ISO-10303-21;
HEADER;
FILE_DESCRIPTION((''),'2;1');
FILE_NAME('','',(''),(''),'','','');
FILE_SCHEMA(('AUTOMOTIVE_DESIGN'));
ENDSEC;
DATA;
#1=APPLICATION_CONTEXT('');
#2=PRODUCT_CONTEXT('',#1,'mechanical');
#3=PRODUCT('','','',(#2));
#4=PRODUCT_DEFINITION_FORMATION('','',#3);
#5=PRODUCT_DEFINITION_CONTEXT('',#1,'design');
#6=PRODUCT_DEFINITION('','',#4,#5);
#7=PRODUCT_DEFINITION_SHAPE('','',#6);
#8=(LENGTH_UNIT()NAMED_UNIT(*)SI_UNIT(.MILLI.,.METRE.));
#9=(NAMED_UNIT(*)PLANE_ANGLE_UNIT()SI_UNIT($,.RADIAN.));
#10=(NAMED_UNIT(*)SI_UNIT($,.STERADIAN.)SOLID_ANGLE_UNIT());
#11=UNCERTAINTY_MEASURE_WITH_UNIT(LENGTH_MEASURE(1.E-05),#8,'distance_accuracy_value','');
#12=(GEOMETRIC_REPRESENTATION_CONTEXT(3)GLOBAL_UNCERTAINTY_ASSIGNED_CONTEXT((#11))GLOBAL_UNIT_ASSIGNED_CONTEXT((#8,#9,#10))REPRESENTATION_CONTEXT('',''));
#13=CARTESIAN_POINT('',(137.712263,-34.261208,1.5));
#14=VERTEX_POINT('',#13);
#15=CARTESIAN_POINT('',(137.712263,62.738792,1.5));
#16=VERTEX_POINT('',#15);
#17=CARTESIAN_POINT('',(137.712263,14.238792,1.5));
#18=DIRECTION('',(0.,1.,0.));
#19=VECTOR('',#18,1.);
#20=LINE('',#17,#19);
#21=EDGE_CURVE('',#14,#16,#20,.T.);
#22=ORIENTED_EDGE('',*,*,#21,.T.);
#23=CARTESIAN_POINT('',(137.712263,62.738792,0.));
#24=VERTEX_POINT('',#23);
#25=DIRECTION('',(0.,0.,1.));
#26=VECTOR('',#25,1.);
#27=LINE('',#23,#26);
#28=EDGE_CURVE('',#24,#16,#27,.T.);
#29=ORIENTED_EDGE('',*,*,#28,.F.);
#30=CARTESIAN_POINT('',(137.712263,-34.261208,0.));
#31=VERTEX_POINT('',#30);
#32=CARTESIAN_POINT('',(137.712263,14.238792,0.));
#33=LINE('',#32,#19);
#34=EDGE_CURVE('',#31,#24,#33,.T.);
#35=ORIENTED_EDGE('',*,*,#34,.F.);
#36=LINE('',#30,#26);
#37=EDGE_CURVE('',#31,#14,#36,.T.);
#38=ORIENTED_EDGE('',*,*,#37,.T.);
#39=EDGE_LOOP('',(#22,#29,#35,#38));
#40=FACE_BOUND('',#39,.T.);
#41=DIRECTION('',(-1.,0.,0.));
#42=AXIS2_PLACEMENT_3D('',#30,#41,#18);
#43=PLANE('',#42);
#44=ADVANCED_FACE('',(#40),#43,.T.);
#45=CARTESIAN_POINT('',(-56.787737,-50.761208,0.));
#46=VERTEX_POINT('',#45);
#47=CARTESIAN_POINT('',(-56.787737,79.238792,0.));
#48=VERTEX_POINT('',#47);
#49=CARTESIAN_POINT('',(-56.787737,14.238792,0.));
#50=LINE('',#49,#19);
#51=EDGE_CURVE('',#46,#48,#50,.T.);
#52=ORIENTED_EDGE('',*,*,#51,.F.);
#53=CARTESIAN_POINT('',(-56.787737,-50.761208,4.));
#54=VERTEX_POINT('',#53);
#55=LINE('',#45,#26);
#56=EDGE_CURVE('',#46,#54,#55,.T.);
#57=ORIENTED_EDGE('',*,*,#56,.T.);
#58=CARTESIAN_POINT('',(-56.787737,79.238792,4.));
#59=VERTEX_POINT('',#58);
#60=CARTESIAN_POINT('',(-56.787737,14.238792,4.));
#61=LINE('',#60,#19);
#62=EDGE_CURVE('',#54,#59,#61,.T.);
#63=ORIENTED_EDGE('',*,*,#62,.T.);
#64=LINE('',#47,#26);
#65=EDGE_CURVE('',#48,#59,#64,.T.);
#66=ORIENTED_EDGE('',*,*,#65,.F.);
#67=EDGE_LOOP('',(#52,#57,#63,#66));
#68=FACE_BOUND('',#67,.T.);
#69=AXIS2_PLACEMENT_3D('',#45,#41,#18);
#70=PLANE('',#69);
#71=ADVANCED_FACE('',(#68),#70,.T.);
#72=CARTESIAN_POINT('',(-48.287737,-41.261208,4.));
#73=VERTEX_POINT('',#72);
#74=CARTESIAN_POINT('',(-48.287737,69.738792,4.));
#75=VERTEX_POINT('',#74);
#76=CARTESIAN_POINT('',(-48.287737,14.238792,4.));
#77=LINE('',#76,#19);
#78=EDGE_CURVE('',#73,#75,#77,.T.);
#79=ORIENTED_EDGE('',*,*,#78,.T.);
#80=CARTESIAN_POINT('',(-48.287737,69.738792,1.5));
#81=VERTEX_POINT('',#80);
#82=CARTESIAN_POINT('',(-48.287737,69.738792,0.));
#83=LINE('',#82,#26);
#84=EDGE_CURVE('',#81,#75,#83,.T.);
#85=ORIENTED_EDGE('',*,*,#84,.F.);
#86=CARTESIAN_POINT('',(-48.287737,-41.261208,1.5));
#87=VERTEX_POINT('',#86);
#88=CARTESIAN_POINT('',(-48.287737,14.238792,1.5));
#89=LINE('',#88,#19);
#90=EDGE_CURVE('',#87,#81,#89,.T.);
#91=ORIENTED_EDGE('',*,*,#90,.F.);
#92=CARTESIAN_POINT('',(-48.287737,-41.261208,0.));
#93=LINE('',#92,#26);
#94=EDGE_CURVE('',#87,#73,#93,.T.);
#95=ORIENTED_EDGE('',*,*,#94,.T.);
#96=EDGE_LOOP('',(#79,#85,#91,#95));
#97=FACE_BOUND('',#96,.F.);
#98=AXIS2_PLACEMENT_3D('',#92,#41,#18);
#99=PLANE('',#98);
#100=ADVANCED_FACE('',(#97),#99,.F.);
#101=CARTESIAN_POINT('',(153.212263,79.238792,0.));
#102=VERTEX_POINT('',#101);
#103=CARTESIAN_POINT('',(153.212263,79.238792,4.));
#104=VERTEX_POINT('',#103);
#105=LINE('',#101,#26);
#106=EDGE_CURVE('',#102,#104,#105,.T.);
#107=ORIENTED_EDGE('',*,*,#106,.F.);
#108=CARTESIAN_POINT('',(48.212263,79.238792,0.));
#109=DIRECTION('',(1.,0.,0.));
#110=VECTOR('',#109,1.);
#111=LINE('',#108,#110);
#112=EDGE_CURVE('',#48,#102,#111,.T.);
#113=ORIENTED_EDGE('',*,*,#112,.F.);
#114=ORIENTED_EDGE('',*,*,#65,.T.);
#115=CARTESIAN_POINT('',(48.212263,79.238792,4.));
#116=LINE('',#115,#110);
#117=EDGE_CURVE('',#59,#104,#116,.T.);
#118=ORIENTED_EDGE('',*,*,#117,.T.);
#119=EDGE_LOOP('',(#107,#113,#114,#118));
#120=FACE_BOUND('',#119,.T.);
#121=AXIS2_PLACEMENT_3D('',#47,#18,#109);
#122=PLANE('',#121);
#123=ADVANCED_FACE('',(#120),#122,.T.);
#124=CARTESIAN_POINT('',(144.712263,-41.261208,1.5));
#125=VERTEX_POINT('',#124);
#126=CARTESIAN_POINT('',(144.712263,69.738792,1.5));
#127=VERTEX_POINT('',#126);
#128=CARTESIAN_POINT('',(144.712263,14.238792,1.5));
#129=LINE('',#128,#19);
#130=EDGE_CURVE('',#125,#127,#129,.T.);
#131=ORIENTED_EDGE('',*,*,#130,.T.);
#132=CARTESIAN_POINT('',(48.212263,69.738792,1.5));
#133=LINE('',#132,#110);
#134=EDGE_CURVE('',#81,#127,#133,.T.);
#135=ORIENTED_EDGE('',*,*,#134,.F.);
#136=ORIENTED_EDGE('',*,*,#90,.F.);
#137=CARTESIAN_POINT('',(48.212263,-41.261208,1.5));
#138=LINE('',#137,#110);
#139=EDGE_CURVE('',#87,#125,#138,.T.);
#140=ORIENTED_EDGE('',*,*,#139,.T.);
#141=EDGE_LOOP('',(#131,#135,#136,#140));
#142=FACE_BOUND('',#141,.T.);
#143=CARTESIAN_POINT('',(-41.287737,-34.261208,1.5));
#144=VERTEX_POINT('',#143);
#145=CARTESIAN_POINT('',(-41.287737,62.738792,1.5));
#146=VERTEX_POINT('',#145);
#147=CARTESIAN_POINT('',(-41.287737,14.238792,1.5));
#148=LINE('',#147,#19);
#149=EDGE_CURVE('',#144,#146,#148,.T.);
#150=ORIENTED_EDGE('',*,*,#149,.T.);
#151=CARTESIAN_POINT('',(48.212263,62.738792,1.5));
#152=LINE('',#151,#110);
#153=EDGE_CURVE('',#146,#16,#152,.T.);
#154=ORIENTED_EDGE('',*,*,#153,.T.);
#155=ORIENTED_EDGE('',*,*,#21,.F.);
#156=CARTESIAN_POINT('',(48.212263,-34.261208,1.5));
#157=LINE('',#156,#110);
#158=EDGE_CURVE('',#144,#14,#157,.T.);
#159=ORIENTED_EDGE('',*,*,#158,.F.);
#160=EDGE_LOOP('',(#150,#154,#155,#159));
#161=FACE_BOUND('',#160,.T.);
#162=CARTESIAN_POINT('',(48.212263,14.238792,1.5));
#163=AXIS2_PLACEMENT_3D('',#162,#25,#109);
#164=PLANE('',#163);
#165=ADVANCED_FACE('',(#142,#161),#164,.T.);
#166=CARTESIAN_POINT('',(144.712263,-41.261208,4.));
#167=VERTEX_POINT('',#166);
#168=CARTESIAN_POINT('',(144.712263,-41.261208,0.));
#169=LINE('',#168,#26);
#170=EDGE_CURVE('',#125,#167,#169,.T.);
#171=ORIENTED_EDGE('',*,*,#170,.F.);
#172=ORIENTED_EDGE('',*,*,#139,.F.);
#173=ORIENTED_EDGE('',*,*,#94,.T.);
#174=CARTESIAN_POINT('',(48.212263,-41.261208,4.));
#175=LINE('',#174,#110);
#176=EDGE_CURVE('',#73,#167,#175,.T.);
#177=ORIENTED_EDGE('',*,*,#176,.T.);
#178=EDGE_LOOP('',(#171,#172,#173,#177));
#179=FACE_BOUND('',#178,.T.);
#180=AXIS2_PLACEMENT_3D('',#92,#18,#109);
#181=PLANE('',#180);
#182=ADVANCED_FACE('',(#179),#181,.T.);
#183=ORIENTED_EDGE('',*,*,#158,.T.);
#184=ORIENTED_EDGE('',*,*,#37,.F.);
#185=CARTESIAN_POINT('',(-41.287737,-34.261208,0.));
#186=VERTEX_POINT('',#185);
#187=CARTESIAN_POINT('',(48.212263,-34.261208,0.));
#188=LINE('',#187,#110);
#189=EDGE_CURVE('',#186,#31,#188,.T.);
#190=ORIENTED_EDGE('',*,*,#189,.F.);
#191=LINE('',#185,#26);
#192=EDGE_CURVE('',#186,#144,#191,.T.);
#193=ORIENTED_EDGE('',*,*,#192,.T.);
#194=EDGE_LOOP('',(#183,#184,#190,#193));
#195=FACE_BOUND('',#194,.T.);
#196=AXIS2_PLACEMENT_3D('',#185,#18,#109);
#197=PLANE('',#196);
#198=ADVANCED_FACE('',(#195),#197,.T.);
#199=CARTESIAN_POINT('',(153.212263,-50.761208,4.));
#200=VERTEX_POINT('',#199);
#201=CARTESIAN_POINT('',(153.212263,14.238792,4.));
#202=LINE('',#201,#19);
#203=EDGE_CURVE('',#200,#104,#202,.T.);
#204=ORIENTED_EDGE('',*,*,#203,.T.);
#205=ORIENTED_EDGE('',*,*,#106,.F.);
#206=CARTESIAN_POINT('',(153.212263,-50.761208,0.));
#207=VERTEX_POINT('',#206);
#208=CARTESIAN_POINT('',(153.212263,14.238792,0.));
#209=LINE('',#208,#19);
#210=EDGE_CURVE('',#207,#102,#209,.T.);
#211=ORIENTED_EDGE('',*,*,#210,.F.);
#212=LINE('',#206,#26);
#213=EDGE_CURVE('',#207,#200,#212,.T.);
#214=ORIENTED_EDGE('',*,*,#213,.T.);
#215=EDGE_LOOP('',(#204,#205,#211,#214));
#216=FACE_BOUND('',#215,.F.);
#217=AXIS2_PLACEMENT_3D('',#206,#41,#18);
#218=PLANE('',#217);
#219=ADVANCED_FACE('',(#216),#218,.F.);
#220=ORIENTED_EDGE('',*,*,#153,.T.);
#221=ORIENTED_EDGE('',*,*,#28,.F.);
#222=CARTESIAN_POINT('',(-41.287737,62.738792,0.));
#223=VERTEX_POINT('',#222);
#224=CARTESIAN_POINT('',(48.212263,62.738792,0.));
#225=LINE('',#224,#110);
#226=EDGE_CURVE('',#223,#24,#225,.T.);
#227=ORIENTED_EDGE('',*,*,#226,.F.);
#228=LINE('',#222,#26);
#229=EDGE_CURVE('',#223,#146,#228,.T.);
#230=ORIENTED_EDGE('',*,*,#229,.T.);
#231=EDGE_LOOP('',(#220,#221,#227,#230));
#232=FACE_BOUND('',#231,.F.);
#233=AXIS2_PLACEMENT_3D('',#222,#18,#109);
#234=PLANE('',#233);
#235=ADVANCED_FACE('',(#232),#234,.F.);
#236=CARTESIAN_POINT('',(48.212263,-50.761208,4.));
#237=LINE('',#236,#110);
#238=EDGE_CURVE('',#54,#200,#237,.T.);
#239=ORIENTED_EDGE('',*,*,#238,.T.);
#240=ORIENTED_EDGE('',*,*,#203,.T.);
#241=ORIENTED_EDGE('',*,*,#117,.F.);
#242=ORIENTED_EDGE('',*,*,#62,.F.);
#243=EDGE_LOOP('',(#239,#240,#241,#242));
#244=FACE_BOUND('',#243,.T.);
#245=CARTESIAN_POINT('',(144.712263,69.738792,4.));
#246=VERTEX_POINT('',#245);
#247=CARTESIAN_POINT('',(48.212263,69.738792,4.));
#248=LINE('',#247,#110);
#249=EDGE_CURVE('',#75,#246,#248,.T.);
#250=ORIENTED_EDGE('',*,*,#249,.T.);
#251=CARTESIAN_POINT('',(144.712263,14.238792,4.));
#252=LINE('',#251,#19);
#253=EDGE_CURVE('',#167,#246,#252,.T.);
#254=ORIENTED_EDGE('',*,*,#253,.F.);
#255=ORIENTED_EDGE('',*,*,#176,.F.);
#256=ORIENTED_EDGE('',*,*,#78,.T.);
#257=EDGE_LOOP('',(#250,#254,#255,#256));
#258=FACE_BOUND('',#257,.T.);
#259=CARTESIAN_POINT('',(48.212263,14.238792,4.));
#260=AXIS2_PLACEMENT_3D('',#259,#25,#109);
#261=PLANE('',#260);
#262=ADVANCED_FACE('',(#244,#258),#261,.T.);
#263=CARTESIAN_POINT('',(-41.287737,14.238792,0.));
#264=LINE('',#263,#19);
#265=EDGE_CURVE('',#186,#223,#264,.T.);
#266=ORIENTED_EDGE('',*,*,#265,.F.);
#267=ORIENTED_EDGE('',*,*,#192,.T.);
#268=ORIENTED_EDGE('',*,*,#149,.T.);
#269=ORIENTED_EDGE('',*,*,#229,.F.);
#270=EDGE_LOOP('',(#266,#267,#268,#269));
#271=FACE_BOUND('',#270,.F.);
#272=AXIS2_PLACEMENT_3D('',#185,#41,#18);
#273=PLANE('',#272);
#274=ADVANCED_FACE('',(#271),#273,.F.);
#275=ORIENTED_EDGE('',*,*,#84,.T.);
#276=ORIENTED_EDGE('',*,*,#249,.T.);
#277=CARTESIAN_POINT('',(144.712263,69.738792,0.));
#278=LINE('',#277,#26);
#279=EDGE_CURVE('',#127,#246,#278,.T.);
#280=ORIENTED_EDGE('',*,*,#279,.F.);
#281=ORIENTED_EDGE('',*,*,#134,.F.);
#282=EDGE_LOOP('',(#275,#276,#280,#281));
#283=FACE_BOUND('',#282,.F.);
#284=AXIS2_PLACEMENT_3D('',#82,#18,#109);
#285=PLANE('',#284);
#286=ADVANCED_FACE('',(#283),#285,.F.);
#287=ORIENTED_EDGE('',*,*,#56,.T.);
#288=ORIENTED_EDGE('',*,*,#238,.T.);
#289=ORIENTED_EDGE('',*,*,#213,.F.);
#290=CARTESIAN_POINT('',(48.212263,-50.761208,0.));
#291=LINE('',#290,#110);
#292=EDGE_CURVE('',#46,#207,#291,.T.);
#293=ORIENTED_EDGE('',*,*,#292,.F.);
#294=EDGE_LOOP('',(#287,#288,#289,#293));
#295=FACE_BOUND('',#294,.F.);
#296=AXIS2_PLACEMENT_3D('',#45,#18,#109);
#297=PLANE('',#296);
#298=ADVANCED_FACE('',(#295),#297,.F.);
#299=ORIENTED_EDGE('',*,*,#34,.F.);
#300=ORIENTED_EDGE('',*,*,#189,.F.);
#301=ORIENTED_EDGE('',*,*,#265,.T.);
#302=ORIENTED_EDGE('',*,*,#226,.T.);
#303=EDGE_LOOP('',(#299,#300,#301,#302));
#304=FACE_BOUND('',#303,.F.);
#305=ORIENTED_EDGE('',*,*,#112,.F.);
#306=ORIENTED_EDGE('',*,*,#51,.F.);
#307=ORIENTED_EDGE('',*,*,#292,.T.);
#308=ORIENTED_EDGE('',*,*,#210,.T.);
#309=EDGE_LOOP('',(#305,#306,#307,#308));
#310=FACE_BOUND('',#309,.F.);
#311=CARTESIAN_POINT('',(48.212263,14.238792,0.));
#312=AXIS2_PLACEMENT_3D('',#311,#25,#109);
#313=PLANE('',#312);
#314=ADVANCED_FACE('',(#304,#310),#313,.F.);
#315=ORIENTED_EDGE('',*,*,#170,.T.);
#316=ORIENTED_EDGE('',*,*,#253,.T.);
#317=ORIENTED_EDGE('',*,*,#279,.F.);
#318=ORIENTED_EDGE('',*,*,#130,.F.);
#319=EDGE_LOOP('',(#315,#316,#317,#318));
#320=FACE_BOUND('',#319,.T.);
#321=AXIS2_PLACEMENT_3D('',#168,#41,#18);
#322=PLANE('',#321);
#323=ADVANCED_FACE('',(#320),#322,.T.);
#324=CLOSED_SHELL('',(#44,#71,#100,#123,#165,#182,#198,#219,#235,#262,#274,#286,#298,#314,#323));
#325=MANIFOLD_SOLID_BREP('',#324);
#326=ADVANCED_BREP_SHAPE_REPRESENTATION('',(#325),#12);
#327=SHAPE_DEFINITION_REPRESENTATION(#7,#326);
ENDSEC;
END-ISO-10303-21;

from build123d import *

# Parameters (mm, degrees)
F0_W     = 210
F0_H     = 130
F0_W_2   = 193
F0_H_2   = 111
F1_DEPTH = 4
F0_W_3   = 179
F0_H_3   = 97
F2_DEPTH = 1.5


with BuildPart() as f1:
    # F0 (on Top) → F1 (new body)
    with BuildSketch(Plane.XY):
        with Locations((48.212263, 14.238792)):
            Rectangle(F0_W, F0_H)
        with Locations((48.212263, 14.238792)):
            Rectangle(F0_W_2, F0_H_2, mode=Mode.SUBTRACT)
    extrude(amount=F1_DEPTH)

    # F0 (on Top) → F2 (join)
    with BuildSketch(Plane.XY):
        with Locations((48.212263, 14.238792)):
            Rectangle(F0_W_2, F0_H_2)
        with Locations((48.212263, 14.238792)):
            Rectangle(F0_W_3, F0_H_3, mode=Mode.SUBTRACT)
    extrude(amount=F2_DEPTH)


solid = f1.part
